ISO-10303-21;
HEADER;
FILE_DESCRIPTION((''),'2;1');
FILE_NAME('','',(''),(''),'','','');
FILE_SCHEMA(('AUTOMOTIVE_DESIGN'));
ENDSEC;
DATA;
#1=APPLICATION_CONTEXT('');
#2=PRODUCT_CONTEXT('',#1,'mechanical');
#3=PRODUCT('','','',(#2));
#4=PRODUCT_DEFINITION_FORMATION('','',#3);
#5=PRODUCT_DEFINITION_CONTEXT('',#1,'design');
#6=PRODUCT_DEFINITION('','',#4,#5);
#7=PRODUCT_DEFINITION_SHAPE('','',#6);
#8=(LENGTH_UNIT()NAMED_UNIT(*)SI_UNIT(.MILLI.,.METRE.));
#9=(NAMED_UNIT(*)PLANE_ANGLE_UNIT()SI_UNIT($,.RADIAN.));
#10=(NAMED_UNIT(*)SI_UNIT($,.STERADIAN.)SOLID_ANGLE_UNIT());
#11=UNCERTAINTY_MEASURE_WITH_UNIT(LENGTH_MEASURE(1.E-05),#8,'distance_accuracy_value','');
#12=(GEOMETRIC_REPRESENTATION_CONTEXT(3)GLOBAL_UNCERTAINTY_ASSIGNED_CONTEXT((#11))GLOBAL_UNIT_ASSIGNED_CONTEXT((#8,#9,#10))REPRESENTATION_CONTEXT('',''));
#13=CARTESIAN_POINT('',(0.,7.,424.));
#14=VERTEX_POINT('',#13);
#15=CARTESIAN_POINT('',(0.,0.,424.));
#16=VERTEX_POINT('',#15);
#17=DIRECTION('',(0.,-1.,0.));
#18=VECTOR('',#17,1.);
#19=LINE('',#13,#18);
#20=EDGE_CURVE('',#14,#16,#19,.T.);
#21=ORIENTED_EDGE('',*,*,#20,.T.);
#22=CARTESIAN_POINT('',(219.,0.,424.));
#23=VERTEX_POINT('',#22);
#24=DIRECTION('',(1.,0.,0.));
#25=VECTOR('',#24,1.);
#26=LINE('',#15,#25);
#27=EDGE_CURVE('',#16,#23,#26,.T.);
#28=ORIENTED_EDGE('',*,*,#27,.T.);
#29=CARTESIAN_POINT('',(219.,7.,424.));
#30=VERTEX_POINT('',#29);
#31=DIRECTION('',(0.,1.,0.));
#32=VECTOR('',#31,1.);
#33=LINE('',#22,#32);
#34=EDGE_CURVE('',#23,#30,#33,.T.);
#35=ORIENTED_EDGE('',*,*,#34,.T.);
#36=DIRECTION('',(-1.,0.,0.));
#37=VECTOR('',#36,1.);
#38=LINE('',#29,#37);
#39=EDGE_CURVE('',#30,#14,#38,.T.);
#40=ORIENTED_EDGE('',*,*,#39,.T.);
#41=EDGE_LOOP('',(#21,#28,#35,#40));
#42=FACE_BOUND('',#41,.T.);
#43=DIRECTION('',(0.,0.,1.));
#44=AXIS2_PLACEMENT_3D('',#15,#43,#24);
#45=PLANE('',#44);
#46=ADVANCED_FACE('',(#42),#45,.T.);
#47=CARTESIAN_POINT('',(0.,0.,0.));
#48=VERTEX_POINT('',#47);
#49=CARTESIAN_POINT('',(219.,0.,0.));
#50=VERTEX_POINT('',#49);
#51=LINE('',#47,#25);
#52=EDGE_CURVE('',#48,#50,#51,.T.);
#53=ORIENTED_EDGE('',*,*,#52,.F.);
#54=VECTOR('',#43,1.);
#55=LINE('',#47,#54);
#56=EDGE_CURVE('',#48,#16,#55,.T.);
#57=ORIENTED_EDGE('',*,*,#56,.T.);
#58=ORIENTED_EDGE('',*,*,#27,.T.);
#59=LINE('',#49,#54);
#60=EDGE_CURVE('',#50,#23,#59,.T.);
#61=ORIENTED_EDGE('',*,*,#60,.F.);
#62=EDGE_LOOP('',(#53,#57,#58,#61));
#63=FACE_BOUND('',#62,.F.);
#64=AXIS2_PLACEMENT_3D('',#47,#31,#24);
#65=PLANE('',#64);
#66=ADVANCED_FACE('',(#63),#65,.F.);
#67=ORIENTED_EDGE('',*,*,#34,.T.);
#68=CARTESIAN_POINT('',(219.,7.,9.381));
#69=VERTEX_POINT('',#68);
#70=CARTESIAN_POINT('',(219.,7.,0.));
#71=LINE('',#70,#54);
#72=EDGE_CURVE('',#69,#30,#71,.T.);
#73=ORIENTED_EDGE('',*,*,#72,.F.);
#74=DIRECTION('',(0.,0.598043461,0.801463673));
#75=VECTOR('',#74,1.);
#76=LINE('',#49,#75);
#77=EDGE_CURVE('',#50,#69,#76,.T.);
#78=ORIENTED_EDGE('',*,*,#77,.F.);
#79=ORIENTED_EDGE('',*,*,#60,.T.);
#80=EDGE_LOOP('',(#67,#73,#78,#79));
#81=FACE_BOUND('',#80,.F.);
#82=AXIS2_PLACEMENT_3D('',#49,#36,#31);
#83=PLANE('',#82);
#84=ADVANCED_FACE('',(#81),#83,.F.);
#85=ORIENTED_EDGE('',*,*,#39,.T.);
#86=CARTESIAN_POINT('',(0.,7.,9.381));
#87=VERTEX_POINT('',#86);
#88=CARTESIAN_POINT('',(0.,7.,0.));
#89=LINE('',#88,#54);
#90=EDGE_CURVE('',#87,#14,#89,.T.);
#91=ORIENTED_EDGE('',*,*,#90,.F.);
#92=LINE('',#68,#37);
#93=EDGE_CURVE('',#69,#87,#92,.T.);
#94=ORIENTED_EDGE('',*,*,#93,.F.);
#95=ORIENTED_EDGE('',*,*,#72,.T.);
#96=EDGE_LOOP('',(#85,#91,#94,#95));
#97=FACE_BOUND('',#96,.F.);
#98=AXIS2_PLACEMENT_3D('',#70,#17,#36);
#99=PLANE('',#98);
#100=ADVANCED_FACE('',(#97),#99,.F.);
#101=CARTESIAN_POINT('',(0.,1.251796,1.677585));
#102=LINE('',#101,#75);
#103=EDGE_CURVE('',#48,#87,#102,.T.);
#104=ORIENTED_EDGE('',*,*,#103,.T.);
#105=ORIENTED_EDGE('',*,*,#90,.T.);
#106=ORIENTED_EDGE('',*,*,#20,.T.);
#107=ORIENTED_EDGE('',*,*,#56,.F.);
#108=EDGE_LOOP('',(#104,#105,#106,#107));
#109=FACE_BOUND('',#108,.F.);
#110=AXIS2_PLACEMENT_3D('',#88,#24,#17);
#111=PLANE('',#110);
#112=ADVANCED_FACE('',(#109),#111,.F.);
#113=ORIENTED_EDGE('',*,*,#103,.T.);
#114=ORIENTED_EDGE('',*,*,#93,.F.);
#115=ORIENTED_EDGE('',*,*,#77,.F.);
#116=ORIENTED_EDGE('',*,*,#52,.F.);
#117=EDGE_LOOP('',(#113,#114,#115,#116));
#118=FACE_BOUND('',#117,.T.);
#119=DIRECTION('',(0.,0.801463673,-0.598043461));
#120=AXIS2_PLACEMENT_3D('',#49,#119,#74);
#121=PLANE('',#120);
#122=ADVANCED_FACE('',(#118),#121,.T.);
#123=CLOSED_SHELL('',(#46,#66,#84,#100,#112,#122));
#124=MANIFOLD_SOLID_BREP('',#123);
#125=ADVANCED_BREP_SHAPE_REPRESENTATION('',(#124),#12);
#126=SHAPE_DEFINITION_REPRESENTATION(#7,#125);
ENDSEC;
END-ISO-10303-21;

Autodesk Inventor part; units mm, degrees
ref_plane "YZ Plane" through (0, 0, 0) normal (1, 0, 0) x (0, 1, 0)
ref_plane "XZ Plane" through (0, 0, 0) normal (0, 1, 0) x (-1, 0, 0)
ref_plane "XY Plane" through (0, 0, 0) normal (0, 0, 1) x (1, 0, 0)
sketch "Sketch1" plane through (0, 0, 0) normal (0, 0, 1) x (1, 0, 0)
  point P0 (0, 0)
sketch "Sketch2" plane through (0, 0, 0) normal (0, 0, 1) x (1, 0, 0)
  line L0 (0, 0) -> (219, 0)
  line L1 (219, 0) -> (219, 7)
  line L2 (219, 7) -> (0, 7)
  line L3 (0, 7) -> (0, 0)
  dimension "d0" = 219
  dimension "d1" = 7
extrude "Extrusion1" add sketch "Sketch2" along normal blind 424
sketch "Sketch3" plane through (219, 7, 424) normal (1, 0, 0) x (0, 0, -1)
  line L0 (424, -7) -> (431.4138, -7)
  line L1 (424, -7) -> (430.4406, -11.8059)
  line L2 (424, -7) -> (432.0361, -7) construction
  line L3 (424, -7) -> (414.619, 0)
  line L4 (424, 0) -> (0, 0) projected
  line L5 (414.619, 0) -> (424, 0)
  line L6 (424, -7) -> (424, 0)
  line L7 (424, -7) -> (424, 0) projected
  line L8 (424, 0) -> (424, -7)
  dimension "d4" = 36.73
extrude "Extrusion2" cut sketch "Sketch3" against normal blind 334.4875
properties part number "teto02" material "Polycarbonate, Clear"
